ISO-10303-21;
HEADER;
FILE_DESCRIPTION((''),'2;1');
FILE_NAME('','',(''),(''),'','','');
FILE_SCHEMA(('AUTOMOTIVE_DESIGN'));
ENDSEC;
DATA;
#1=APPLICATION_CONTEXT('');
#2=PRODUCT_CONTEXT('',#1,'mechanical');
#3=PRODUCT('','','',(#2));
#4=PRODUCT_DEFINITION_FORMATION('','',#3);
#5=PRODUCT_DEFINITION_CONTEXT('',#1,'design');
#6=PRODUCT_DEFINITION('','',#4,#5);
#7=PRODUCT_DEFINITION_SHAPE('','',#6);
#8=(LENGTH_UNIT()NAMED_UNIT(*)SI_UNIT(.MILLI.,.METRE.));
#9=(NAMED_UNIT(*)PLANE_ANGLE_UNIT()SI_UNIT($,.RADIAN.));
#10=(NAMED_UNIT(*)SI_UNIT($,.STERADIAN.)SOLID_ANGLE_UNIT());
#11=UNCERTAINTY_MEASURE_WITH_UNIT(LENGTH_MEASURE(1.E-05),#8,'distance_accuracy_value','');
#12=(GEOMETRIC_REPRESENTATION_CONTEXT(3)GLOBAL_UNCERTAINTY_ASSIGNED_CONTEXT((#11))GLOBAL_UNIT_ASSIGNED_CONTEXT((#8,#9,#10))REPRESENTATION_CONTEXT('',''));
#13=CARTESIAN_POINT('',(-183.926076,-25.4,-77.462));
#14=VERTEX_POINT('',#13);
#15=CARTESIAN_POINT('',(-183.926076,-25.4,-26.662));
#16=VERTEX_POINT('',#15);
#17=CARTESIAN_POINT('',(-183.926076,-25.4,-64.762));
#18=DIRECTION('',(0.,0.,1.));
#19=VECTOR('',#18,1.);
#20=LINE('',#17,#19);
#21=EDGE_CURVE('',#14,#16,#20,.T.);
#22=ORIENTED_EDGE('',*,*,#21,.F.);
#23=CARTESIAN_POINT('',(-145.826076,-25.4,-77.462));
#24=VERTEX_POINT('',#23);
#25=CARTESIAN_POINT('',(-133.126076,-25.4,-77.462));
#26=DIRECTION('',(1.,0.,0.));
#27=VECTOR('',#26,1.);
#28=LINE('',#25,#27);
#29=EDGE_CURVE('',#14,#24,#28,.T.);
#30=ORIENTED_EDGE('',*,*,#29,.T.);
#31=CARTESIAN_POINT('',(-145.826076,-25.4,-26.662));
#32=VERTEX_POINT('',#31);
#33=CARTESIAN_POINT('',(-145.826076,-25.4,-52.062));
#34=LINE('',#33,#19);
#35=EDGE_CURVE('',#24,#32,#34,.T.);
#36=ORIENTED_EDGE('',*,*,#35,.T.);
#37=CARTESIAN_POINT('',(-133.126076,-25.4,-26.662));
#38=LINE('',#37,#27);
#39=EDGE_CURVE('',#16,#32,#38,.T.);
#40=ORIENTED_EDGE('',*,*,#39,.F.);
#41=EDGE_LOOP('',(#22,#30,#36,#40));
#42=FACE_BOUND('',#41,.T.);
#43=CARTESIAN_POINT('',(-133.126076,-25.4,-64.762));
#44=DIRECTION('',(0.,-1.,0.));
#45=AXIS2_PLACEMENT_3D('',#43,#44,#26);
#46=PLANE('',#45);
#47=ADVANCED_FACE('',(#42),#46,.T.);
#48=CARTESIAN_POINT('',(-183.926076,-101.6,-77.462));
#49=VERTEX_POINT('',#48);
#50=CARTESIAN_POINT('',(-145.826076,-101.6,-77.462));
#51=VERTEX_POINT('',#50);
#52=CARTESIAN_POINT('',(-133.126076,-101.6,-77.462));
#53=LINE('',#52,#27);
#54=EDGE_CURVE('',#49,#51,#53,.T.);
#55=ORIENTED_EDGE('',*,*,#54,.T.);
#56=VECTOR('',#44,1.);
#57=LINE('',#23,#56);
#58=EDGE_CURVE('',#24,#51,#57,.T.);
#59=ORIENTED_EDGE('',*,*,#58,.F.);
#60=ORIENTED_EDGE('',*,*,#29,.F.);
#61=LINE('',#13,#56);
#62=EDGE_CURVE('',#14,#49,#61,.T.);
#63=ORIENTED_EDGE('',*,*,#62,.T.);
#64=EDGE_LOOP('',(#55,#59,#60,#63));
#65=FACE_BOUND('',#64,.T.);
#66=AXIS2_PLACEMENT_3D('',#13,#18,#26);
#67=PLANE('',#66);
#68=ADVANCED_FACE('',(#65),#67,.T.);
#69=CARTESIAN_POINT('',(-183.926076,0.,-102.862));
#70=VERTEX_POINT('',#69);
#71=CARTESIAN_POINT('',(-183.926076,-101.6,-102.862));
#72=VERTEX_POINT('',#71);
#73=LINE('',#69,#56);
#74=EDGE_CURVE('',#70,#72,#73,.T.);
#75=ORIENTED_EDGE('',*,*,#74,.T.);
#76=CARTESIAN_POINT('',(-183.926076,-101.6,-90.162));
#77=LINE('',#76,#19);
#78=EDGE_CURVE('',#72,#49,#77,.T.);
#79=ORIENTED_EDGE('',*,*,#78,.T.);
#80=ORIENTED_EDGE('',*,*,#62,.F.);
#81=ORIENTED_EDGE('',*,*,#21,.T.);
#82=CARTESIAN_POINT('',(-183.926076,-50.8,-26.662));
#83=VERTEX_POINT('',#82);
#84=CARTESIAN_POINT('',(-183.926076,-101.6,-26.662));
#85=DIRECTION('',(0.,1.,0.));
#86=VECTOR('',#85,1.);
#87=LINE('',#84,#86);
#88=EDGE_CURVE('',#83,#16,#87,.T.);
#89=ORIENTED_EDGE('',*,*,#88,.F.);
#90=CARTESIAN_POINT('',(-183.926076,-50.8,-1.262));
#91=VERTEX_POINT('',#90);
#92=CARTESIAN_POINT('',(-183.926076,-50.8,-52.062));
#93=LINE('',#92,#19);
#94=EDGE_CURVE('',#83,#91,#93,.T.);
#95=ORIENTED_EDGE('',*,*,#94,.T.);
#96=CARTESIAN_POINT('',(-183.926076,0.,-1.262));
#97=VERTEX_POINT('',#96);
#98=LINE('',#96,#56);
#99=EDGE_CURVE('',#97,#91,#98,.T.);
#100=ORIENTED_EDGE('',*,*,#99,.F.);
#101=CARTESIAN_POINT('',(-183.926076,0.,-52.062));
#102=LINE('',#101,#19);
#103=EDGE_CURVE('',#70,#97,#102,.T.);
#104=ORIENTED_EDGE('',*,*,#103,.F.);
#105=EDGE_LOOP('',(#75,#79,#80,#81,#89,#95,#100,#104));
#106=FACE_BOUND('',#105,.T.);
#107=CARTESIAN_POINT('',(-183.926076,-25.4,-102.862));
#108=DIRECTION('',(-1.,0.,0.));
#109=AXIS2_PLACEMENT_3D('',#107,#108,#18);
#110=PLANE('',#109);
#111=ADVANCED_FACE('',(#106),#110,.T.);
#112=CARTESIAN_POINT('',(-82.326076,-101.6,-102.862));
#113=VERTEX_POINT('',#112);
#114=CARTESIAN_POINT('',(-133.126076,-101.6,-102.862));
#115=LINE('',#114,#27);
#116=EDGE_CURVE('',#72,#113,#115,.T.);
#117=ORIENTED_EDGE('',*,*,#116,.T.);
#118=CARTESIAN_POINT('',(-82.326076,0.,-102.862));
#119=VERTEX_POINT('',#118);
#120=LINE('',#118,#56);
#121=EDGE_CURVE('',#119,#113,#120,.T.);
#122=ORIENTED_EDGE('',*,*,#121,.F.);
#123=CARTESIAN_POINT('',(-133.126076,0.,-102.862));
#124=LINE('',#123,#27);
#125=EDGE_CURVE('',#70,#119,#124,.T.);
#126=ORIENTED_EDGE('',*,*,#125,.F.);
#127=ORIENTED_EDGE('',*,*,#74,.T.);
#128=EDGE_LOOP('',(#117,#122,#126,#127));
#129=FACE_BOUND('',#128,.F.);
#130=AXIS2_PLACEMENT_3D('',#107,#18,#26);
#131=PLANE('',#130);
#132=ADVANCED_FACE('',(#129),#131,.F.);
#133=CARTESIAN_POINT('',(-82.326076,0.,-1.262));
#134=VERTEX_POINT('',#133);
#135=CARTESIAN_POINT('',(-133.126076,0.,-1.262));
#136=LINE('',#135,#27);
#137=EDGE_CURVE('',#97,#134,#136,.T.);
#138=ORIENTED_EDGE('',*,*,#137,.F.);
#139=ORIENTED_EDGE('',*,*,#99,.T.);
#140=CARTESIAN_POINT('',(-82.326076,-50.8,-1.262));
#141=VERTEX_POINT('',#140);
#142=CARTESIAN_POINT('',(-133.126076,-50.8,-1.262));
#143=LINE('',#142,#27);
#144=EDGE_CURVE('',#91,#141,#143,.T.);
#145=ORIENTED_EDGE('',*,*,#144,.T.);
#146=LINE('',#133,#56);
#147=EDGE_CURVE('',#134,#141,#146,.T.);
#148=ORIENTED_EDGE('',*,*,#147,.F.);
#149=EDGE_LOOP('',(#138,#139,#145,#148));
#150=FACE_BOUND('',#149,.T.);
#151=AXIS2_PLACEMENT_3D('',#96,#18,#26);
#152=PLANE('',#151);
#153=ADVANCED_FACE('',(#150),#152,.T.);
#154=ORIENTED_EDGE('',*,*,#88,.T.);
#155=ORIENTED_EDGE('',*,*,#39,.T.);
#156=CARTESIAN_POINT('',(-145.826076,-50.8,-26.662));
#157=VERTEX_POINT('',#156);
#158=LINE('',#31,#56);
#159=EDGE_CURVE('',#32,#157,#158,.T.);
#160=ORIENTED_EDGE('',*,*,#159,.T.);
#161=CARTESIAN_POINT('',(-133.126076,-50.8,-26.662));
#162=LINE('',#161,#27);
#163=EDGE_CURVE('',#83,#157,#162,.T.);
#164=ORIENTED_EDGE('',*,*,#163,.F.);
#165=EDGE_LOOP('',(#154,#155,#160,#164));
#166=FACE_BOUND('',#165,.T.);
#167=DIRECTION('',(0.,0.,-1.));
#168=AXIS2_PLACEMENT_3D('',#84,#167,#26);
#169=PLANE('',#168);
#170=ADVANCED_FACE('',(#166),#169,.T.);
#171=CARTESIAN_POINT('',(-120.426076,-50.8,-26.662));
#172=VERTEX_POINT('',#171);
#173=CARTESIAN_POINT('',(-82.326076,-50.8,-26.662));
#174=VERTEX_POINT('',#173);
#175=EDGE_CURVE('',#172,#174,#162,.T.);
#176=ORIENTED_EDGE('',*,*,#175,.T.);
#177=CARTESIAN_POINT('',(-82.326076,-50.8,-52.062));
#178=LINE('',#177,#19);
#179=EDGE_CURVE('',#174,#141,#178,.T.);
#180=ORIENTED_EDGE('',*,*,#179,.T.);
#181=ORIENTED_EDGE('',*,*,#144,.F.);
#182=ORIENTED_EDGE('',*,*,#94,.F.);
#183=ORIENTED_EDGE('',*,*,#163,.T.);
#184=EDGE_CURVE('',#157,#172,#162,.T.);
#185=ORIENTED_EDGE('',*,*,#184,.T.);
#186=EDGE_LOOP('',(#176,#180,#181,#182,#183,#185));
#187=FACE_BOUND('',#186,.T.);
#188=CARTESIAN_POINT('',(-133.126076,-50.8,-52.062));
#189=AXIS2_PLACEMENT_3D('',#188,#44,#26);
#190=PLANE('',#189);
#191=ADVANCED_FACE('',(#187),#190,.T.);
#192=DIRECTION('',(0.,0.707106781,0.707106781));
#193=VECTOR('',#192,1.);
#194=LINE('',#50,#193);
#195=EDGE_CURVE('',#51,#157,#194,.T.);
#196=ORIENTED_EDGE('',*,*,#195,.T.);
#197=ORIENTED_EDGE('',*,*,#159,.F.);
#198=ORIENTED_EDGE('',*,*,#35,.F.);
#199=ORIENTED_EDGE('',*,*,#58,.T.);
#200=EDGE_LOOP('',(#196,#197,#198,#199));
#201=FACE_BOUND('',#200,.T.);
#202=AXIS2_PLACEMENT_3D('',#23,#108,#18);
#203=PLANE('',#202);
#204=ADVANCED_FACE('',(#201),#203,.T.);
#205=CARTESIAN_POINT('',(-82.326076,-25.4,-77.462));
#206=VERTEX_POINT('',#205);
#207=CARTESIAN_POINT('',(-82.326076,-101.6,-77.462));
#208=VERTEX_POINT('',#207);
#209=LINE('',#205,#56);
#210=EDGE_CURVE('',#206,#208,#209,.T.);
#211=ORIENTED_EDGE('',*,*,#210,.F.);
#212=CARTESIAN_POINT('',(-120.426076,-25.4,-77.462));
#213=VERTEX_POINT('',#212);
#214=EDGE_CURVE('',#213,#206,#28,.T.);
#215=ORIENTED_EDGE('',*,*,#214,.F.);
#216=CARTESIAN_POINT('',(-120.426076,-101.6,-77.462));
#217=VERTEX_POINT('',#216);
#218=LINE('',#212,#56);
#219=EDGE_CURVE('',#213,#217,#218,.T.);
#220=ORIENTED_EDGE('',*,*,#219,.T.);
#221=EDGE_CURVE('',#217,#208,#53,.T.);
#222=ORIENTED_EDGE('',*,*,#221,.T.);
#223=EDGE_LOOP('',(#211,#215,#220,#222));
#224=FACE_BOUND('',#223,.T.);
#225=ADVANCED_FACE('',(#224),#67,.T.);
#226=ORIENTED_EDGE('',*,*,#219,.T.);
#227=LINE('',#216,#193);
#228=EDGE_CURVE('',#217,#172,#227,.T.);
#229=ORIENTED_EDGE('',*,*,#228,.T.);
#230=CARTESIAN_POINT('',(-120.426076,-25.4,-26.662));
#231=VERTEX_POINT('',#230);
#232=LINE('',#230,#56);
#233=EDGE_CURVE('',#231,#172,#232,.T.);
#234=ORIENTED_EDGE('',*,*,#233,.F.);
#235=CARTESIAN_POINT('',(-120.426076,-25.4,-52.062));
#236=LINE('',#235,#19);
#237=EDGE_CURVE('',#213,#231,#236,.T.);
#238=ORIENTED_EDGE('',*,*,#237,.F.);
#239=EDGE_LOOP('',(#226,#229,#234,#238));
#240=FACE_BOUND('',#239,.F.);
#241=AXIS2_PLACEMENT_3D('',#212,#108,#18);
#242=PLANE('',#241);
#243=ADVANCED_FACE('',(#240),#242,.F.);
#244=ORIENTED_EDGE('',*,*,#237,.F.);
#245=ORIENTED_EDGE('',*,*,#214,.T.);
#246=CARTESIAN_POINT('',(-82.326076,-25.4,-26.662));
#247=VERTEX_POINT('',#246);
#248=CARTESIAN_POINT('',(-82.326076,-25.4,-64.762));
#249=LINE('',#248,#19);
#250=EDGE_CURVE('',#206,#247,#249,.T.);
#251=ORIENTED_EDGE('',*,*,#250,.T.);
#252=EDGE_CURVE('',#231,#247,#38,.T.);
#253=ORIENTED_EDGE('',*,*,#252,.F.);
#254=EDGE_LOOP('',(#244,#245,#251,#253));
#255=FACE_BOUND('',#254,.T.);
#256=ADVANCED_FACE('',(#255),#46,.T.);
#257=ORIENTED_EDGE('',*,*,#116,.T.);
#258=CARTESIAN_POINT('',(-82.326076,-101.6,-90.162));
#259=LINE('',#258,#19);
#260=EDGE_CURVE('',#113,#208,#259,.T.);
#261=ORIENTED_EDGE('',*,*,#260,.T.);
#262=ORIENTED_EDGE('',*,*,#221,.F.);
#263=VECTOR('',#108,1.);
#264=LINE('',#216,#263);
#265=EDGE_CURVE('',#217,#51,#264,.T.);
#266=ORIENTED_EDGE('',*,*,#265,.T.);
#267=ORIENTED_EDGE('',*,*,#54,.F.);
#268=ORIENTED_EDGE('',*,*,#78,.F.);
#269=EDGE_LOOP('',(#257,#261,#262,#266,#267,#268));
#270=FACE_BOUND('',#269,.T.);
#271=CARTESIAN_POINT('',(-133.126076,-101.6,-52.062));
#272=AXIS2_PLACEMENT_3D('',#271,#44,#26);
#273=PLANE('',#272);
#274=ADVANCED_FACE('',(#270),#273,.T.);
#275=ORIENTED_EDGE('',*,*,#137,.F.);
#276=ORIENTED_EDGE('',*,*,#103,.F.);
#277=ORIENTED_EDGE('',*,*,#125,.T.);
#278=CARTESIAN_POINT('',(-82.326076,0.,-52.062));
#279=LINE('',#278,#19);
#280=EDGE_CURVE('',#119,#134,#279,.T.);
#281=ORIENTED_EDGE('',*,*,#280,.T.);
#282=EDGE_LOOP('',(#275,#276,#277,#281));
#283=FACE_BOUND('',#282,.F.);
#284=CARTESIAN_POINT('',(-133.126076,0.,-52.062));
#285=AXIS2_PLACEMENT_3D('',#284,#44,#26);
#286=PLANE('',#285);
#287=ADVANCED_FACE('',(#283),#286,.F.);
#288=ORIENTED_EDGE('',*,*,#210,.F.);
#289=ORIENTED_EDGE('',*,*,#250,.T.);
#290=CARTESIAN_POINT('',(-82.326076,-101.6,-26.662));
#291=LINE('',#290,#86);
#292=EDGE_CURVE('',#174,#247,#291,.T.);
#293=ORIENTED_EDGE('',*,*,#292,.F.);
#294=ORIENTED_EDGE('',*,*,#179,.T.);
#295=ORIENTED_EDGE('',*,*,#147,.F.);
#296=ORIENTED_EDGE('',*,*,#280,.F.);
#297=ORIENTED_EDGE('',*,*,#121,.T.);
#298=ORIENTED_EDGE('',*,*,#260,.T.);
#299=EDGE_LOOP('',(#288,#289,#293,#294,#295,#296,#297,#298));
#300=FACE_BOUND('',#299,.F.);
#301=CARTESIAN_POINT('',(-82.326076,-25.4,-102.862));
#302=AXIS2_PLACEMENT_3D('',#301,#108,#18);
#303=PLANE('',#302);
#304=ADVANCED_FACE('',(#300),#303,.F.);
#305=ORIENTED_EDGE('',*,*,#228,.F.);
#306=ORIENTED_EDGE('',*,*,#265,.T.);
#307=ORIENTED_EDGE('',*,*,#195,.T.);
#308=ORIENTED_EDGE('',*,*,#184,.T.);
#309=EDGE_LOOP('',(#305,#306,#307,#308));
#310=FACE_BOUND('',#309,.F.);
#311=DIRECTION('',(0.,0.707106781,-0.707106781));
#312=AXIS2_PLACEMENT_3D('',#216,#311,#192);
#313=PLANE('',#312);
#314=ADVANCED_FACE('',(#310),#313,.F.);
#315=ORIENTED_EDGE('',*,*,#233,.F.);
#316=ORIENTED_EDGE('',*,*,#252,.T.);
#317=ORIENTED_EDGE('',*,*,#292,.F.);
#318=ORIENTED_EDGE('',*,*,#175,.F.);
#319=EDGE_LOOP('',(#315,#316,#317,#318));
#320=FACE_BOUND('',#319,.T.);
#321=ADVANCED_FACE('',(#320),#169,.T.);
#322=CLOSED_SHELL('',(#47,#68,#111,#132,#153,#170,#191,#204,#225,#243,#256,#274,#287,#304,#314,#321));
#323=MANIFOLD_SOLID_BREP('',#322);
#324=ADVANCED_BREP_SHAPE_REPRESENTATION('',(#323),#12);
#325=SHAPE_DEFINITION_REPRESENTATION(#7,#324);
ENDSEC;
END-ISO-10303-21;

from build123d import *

# Parameters (mm, degrees)
F0_W      = 101.6
F0_H      = 101.6
F1_DEPTH  = 101.6
F2_W      = 101.6
F2_H      = 76.2
F3_DEPTH  = 76.2
F4_W      = 101.6
F4_H      = 25.4
F5_DEPTH  = 76.2
F6_DEPTH  = 50.8
F7_W      = 25.4
F7_H      = 50.8
F8_DEPTH  = 76.2
F10_DEPTH = 25.4


with BuildPart() as f1:
    # F0 (on Front) → F1 (new body)
    with BuildSketch(Plane.XZ):
        with Locations((-133.1260756969, -52.0620004654)):
            Rectangle(F0_W, F0_H)
    extrude(amount=F1_DEPTH)

    # F2 (on face) → F3 (cut)
    with BuildSketch(Plane.XZ.offset(101.6)):
        with Locations((-133.1260756969, -64.7620004654)):
            Rectangle(F2_W, F2_H)
    extrude(amount=-F3_DEPTH, mode=Mode.SUBTRACT)

    # F4 (on face) → F5 (join)
    with BuildSketch(Plane.XZ.offset(25.4)):
        with Locations((-133.1260756969, -90.1620004654)):
            Rectangle(F4_W, F4_H)
    extrude(amount=F5_DEPTH)

    # F6 (cut): a face of the model
    f6_faces = [f1.faces().sort_by_distance(p)[0] for p in [
        (-133.1260756969, -101.6, -13.9620004654),
    ]]
    extrude(f6_faces, amount=-F6_DEPTH, mode=Mode.SUBTRACT)

    # F7 (on face) → F8 (join)
    with BuildSketch(Plane.XZ.offset(25.4)):
        with Locations((-133.1260756969, -52.0620004654)):
            Rectangle(F7_W, F7_H)
    extrude(amount=F8_DEPTH)

    # F9 (on face) → F10 (cut)
    with BuildSketch(Plane.YZ.offset(-120.4260756969)):
        Polygon((-101.6, -26.6620004654), (-101.6, -77.4620004654), (-50.8, -26.6620004654), align=None)
    extrude(amount=-F10_DEPTH, mode=Mode.SUBTRACT)


solid = f1.part
